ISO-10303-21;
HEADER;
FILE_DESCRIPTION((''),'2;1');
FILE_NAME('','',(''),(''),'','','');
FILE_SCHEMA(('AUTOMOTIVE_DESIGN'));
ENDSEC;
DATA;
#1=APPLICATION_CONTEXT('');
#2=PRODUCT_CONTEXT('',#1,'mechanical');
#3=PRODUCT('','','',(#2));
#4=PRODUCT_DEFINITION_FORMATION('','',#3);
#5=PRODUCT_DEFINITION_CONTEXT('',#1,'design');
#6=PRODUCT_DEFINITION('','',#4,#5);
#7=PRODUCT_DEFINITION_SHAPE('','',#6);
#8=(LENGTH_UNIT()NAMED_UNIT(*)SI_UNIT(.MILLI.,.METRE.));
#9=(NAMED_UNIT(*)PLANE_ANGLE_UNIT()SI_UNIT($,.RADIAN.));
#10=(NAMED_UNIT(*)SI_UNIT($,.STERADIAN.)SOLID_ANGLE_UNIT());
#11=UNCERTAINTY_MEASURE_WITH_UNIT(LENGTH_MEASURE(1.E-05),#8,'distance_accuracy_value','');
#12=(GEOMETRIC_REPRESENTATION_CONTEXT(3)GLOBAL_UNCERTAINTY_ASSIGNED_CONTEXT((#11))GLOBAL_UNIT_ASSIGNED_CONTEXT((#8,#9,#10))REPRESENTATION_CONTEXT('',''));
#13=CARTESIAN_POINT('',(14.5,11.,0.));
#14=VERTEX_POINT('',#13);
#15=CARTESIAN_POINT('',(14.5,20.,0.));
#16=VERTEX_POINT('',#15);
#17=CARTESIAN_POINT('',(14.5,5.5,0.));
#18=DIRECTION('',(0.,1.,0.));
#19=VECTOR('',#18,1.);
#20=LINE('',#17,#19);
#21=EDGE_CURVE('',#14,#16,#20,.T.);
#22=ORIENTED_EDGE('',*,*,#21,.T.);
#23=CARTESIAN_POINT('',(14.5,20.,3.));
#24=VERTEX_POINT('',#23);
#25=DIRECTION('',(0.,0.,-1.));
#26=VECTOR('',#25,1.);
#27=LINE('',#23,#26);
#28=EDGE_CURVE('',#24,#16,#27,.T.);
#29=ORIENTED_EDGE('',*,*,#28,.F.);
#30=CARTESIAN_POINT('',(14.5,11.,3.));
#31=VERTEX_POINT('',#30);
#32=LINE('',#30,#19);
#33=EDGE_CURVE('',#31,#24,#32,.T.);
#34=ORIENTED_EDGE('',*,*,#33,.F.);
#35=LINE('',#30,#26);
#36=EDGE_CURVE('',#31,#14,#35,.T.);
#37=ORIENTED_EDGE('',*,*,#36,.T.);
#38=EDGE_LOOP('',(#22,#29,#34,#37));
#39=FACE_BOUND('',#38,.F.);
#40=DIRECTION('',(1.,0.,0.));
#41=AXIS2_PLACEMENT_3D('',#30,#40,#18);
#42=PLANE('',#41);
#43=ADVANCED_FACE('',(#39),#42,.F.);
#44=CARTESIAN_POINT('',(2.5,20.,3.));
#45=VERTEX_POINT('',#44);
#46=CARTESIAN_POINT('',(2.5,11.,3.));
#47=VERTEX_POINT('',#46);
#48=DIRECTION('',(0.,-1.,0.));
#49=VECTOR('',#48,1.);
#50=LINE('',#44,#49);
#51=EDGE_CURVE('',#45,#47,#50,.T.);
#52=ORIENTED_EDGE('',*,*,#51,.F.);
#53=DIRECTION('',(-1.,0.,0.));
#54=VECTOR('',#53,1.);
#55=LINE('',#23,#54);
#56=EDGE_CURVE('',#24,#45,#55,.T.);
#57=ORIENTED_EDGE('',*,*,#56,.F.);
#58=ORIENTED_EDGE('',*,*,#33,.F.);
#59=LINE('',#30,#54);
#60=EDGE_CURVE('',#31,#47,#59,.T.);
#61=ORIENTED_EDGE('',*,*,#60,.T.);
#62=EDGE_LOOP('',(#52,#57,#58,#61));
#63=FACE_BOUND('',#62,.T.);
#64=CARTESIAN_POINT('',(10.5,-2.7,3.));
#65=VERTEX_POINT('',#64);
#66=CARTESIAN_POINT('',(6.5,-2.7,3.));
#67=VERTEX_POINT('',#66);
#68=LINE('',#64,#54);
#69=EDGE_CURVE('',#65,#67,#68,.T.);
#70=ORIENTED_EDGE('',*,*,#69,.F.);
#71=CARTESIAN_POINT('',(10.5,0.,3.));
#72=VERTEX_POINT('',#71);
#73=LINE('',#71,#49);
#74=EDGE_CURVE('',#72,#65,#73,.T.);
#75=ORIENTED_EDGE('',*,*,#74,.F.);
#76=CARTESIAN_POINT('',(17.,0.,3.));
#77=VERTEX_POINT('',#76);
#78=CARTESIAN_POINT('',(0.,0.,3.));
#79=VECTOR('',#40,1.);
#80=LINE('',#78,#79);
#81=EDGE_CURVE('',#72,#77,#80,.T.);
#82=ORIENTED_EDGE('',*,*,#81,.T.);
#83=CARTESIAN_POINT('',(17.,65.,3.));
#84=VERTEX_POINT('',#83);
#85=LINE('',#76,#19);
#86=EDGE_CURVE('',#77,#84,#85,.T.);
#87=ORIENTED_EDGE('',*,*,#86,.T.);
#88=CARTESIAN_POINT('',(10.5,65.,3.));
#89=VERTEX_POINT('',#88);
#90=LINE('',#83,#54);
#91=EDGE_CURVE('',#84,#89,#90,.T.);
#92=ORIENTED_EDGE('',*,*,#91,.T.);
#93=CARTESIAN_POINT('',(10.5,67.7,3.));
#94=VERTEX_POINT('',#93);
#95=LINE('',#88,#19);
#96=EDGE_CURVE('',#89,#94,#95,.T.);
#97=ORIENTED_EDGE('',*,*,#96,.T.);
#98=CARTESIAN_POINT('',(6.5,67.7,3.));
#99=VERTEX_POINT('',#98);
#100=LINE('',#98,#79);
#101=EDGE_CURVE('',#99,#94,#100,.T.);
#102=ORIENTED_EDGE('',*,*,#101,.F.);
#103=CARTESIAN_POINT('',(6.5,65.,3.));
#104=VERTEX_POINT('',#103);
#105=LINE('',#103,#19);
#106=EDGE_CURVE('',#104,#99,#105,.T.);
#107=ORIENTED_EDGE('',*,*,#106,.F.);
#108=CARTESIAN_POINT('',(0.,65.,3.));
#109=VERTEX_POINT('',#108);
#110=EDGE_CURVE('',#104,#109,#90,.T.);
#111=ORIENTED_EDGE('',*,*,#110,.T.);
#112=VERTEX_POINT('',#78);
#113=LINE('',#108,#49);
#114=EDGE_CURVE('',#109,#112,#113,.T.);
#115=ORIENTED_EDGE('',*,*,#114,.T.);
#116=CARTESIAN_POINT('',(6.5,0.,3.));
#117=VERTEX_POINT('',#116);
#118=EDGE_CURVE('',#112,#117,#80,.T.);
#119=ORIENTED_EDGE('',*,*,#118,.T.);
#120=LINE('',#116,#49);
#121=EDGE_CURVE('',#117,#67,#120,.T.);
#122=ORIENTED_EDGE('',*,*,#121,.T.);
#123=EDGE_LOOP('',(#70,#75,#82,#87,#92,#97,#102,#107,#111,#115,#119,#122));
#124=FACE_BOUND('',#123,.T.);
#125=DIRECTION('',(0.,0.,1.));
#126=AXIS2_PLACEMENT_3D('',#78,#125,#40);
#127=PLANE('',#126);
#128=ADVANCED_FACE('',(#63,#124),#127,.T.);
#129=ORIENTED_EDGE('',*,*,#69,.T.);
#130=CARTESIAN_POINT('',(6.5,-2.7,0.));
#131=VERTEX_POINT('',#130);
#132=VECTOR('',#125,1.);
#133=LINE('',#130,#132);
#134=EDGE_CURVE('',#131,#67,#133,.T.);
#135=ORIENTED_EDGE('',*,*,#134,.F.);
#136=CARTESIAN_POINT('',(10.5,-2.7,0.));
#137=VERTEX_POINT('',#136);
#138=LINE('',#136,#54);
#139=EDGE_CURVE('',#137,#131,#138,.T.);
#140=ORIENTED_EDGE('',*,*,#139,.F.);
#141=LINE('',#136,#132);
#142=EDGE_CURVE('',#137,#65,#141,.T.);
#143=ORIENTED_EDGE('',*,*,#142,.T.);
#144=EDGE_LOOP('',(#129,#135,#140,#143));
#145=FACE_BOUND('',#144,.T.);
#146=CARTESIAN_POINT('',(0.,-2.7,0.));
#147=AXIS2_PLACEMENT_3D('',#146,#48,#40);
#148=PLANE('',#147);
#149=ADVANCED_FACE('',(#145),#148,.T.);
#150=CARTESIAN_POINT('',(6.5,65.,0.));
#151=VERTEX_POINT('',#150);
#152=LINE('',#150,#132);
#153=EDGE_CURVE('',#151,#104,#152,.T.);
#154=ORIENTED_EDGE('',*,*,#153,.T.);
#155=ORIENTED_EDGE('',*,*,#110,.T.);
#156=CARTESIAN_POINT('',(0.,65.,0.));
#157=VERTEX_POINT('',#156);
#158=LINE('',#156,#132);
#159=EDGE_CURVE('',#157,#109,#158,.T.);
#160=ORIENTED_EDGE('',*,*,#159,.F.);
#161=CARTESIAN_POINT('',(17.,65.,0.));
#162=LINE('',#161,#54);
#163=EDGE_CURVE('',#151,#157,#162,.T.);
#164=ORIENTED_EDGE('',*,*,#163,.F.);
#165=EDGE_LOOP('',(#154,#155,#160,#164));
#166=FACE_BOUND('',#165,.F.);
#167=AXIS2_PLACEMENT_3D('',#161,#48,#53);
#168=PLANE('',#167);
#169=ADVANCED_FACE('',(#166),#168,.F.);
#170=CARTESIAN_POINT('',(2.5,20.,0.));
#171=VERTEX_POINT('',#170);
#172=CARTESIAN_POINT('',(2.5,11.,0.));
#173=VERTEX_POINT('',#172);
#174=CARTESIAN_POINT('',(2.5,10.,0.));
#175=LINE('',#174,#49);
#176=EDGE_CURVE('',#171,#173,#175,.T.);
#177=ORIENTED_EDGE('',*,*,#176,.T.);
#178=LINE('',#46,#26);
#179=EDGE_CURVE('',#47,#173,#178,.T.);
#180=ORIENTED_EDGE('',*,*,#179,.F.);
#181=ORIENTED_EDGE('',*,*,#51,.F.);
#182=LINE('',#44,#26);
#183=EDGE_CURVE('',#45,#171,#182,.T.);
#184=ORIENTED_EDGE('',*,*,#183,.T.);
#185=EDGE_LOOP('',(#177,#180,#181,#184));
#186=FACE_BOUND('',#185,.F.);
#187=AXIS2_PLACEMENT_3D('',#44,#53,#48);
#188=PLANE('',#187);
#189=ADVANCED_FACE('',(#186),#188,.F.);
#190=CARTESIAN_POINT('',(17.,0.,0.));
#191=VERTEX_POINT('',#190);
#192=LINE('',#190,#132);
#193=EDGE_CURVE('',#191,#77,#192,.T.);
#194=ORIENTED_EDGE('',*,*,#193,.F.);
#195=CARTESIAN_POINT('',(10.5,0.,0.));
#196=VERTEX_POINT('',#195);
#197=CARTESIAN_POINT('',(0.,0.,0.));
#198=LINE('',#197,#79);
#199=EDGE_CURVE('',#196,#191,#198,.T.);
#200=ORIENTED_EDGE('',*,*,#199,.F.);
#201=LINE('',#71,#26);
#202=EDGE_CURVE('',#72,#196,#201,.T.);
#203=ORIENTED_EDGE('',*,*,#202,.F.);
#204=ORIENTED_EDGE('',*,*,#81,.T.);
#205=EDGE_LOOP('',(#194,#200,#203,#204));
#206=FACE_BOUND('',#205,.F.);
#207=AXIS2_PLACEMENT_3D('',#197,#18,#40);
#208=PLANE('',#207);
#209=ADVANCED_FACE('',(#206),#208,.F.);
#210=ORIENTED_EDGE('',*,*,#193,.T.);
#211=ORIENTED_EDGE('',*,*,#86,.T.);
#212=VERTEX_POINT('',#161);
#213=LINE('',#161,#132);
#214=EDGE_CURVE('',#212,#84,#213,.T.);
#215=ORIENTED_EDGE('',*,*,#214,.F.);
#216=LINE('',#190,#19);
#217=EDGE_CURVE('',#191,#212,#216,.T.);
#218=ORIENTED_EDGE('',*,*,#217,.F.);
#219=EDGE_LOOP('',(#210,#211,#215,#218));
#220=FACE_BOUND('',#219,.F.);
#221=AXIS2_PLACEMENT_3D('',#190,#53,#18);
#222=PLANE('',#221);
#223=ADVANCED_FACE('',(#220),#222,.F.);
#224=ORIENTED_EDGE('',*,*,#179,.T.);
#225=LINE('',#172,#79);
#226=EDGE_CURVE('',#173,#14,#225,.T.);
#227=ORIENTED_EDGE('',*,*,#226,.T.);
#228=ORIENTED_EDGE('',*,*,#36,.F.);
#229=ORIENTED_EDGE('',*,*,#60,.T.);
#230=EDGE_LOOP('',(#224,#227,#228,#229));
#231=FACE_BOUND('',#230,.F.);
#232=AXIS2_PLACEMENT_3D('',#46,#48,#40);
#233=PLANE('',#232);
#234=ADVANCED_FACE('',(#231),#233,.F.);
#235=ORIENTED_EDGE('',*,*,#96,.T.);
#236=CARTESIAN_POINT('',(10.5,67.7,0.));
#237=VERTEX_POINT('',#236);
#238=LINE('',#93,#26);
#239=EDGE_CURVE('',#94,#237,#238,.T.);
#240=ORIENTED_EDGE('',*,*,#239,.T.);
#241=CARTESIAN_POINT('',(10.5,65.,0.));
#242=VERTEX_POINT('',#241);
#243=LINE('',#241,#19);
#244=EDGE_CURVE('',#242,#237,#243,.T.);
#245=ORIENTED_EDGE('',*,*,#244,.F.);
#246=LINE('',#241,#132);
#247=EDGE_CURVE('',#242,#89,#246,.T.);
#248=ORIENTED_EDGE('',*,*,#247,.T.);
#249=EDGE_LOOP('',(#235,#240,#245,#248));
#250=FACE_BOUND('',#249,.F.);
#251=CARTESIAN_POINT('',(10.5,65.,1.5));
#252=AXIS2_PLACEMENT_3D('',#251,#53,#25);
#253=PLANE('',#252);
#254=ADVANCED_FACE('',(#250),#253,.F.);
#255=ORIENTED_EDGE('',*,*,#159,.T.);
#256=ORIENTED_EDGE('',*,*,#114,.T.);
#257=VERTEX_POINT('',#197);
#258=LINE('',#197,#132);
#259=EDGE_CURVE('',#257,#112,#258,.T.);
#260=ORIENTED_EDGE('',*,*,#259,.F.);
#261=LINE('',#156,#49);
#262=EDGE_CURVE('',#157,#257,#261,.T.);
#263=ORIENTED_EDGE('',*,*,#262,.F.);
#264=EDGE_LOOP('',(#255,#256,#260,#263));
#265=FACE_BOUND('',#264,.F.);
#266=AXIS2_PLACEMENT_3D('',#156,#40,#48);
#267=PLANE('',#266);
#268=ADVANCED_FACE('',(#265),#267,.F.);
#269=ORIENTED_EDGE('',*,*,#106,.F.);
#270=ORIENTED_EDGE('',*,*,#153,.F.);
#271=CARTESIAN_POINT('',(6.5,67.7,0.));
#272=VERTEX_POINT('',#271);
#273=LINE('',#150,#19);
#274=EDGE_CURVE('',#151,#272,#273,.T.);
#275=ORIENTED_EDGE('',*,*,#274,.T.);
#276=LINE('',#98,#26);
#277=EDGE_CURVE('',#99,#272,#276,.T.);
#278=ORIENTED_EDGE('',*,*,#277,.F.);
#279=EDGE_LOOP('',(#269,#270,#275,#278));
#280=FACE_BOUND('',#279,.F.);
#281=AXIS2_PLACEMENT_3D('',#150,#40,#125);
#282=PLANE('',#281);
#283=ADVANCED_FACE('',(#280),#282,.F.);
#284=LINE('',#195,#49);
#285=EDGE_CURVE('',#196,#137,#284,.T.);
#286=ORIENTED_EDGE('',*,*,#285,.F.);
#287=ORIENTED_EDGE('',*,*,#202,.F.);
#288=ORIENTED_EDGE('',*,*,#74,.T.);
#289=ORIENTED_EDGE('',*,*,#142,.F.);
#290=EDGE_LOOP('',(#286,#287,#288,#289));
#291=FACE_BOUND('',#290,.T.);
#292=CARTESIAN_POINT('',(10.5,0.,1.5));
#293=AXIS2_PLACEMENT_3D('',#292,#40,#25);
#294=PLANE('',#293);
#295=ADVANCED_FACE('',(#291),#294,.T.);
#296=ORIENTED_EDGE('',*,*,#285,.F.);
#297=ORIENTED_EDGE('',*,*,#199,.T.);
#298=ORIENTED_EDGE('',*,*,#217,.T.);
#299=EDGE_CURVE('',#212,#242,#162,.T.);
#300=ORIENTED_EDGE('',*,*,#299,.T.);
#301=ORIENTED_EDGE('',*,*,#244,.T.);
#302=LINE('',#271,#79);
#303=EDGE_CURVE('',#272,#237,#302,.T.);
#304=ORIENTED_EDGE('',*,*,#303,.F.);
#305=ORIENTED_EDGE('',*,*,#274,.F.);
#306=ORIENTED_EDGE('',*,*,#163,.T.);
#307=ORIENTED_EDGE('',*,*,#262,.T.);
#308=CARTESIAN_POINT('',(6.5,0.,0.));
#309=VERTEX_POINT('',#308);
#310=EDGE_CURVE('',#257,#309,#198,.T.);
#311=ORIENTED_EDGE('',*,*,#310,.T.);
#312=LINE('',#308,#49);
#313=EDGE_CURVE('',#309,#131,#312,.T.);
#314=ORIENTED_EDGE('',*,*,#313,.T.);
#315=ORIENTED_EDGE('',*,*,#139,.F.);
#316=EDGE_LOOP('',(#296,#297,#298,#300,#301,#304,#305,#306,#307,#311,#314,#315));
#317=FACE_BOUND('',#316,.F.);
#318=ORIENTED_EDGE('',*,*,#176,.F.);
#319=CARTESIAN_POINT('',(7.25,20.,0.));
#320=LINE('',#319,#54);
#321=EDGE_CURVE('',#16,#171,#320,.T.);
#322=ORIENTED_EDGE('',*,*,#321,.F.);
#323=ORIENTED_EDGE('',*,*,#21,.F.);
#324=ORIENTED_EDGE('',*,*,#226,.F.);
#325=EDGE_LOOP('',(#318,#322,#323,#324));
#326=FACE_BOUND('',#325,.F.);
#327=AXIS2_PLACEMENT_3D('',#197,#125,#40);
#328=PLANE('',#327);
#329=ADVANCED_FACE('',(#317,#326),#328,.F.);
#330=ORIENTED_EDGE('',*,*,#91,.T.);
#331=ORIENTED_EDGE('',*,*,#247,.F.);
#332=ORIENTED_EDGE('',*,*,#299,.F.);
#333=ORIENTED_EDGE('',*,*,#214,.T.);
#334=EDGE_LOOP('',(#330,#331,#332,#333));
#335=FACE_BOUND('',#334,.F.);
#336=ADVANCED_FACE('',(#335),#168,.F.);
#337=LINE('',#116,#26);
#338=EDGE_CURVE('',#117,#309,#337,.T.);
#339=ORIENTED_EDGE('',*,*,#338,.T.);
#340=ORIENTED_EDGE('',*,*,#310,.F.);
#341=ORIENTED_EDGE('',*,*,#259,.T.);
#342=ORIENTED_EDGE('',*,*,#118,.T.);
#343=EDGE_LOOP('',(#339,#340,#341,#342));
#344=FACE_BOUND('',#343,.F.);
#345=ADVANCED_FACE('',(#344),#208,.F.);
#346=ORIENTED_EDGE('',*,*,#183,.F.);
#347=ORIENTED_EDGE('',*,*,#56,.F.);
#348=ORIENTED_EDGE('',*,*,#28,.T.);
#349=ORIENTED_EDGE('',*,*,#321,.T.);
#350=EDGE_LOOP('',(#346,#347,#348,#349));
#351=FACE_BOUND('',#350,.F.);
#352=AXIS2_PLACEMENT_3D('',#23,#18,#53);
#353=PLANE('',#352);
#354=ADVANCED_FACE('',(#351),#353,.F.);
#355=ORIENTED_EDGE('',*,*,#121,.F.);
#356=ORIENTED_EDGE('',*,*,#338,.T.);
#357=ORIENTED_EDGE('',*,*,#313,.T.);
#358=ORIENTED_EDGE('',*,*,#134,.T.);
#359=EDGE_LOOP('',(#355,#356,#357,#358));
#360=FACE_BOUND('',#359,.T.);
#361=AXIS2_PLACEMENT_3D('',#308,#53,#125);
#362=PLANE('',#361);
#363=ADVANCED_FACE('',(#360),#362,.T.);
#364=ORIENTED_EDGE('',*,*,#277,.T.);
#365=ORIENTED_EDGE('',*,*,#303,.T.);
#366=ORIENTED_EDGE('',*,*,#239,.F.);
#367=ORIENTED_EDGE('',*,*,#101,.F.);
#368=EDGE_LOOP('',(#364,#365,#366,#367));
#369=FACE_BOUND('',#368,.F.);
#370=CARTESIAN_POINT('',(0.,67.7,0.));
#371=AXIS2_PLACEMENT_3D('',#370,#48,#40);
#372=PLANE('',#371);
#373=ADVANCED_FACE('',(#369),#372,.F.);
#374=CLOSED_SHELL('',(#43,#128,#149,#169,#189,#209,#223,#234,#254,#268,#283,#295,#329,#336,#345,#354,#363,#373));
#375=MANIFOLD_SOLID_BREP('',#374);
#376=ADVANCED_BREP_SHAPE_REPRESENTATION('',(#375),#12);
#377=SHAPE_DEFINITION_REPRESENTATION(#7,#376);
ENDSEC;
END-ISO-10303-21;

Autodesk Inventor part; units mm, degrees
ref_plane "YZ Plane" through (0, 0, 0) normal (1, 0, 0) x (0, 1, 0)
ref_plane "XZ Plane" through (0, 0, 0) normal (0, 1, 0) x (-1, 0, 0)
ref_plane "XY Plane" through (0, 0, 0) normal (0, 0, 1) x (1, 0, 0)
sketch "Sketch1" plane through (0, 0, 0) normal (0, 0, 1) x (1, 0, 0)
  line L0 (0, 0) -> (17, 0)
  line L1 (17, 0) -> (17, 65)
  line L2 (17, 65) -> (0, 65)
  line L3 (0, 65) -> (0, 0)
  dimension "d0" = 17
  dimension "d1" = 65
  dimension "d2" = 17
extrude "Extrusion1" add sketch "Sketch1" along normal blind 3
sketch "Sketch2" plane through (0, 0, 3) normal (0, 0, 1) x (1, 0, 0)
  line L0 (0, 0) -> (17, 0) projected
  line L1 (8.5, 0) -> (8.5, 11)
  line L2 (8.5, 11) -> (14.5, 11)
  line L3 (14.5, 11) -> (14.5, 20)
  line L4 (14.5, 20) -> (2.5, 20)
  line L5 (2.5, 20) -> (2.5, 11)
  line L6 (2.5, 11) -> (8.5, 11)
  dimension "d5" = 11
  dimension "d6" = 6
  dimension "d7" = 9
  dimension "d8" = 12
  dimension "d9" = 9
extrude "Extrusion2" cut sketch "Sketch2" against normal blind 16.05
sketch "Sketch3" plane through (0, 0, 0) normal (0, -1, 0) x (1, 0, 0)
  line L0 (0, 0) -> (0, 3) projected
  line L1 (0, 1.5) -> (17, 1.5)
  line L2 (17, 0) -> (17, 3) projected
  line L3 (17, 3) -> (0, 3) projected
  line L4 (8.5, 3) -> (8.5, 0)
  line L5 (17, 0) -> (0, 0) projected
  line L6 (8.5, 1.5) -> (6.5, 1.5)
  line L7 (6.5, 1.5) -> (6.5, 3)
  line L8 (8.5, 1.5) -> (10.5, 1.5)
  line L9 (10.5, 1.5) -> (10.5, 0)
  line L10 (6.5, 3) -> (10.5, 3)
  line L11 (10.5, 3) -> (10.5, 0)
  line L12 (10.5, 0) -> (6.5, 0)
  line L13 (6.5, 0) -> (6.5, 3)
  dimension "d12" = 2
  dimension "d13" = 1.5
  dimension "d14" = 2
  dimension "d15" = 1.5
extrude "Extrusion3" add sketch "Sketch3" along normal blind 2.7 contours L13 L1 L4 L5 | L7 L3 L4 L1 | L4 L1 L9 L5 | L4 L3 L11 L1
extrude "Extrusion4" add sketch "Sketch3" against normal blind 2.7 from surface at -65 contours L13 L1 L4 L5 | L7 L3 L4 L1 | L4 L1 L9 L5 | L4 L3 L11 L1
properties part number "carcasa_piezaRadio_agujero_3.0"
